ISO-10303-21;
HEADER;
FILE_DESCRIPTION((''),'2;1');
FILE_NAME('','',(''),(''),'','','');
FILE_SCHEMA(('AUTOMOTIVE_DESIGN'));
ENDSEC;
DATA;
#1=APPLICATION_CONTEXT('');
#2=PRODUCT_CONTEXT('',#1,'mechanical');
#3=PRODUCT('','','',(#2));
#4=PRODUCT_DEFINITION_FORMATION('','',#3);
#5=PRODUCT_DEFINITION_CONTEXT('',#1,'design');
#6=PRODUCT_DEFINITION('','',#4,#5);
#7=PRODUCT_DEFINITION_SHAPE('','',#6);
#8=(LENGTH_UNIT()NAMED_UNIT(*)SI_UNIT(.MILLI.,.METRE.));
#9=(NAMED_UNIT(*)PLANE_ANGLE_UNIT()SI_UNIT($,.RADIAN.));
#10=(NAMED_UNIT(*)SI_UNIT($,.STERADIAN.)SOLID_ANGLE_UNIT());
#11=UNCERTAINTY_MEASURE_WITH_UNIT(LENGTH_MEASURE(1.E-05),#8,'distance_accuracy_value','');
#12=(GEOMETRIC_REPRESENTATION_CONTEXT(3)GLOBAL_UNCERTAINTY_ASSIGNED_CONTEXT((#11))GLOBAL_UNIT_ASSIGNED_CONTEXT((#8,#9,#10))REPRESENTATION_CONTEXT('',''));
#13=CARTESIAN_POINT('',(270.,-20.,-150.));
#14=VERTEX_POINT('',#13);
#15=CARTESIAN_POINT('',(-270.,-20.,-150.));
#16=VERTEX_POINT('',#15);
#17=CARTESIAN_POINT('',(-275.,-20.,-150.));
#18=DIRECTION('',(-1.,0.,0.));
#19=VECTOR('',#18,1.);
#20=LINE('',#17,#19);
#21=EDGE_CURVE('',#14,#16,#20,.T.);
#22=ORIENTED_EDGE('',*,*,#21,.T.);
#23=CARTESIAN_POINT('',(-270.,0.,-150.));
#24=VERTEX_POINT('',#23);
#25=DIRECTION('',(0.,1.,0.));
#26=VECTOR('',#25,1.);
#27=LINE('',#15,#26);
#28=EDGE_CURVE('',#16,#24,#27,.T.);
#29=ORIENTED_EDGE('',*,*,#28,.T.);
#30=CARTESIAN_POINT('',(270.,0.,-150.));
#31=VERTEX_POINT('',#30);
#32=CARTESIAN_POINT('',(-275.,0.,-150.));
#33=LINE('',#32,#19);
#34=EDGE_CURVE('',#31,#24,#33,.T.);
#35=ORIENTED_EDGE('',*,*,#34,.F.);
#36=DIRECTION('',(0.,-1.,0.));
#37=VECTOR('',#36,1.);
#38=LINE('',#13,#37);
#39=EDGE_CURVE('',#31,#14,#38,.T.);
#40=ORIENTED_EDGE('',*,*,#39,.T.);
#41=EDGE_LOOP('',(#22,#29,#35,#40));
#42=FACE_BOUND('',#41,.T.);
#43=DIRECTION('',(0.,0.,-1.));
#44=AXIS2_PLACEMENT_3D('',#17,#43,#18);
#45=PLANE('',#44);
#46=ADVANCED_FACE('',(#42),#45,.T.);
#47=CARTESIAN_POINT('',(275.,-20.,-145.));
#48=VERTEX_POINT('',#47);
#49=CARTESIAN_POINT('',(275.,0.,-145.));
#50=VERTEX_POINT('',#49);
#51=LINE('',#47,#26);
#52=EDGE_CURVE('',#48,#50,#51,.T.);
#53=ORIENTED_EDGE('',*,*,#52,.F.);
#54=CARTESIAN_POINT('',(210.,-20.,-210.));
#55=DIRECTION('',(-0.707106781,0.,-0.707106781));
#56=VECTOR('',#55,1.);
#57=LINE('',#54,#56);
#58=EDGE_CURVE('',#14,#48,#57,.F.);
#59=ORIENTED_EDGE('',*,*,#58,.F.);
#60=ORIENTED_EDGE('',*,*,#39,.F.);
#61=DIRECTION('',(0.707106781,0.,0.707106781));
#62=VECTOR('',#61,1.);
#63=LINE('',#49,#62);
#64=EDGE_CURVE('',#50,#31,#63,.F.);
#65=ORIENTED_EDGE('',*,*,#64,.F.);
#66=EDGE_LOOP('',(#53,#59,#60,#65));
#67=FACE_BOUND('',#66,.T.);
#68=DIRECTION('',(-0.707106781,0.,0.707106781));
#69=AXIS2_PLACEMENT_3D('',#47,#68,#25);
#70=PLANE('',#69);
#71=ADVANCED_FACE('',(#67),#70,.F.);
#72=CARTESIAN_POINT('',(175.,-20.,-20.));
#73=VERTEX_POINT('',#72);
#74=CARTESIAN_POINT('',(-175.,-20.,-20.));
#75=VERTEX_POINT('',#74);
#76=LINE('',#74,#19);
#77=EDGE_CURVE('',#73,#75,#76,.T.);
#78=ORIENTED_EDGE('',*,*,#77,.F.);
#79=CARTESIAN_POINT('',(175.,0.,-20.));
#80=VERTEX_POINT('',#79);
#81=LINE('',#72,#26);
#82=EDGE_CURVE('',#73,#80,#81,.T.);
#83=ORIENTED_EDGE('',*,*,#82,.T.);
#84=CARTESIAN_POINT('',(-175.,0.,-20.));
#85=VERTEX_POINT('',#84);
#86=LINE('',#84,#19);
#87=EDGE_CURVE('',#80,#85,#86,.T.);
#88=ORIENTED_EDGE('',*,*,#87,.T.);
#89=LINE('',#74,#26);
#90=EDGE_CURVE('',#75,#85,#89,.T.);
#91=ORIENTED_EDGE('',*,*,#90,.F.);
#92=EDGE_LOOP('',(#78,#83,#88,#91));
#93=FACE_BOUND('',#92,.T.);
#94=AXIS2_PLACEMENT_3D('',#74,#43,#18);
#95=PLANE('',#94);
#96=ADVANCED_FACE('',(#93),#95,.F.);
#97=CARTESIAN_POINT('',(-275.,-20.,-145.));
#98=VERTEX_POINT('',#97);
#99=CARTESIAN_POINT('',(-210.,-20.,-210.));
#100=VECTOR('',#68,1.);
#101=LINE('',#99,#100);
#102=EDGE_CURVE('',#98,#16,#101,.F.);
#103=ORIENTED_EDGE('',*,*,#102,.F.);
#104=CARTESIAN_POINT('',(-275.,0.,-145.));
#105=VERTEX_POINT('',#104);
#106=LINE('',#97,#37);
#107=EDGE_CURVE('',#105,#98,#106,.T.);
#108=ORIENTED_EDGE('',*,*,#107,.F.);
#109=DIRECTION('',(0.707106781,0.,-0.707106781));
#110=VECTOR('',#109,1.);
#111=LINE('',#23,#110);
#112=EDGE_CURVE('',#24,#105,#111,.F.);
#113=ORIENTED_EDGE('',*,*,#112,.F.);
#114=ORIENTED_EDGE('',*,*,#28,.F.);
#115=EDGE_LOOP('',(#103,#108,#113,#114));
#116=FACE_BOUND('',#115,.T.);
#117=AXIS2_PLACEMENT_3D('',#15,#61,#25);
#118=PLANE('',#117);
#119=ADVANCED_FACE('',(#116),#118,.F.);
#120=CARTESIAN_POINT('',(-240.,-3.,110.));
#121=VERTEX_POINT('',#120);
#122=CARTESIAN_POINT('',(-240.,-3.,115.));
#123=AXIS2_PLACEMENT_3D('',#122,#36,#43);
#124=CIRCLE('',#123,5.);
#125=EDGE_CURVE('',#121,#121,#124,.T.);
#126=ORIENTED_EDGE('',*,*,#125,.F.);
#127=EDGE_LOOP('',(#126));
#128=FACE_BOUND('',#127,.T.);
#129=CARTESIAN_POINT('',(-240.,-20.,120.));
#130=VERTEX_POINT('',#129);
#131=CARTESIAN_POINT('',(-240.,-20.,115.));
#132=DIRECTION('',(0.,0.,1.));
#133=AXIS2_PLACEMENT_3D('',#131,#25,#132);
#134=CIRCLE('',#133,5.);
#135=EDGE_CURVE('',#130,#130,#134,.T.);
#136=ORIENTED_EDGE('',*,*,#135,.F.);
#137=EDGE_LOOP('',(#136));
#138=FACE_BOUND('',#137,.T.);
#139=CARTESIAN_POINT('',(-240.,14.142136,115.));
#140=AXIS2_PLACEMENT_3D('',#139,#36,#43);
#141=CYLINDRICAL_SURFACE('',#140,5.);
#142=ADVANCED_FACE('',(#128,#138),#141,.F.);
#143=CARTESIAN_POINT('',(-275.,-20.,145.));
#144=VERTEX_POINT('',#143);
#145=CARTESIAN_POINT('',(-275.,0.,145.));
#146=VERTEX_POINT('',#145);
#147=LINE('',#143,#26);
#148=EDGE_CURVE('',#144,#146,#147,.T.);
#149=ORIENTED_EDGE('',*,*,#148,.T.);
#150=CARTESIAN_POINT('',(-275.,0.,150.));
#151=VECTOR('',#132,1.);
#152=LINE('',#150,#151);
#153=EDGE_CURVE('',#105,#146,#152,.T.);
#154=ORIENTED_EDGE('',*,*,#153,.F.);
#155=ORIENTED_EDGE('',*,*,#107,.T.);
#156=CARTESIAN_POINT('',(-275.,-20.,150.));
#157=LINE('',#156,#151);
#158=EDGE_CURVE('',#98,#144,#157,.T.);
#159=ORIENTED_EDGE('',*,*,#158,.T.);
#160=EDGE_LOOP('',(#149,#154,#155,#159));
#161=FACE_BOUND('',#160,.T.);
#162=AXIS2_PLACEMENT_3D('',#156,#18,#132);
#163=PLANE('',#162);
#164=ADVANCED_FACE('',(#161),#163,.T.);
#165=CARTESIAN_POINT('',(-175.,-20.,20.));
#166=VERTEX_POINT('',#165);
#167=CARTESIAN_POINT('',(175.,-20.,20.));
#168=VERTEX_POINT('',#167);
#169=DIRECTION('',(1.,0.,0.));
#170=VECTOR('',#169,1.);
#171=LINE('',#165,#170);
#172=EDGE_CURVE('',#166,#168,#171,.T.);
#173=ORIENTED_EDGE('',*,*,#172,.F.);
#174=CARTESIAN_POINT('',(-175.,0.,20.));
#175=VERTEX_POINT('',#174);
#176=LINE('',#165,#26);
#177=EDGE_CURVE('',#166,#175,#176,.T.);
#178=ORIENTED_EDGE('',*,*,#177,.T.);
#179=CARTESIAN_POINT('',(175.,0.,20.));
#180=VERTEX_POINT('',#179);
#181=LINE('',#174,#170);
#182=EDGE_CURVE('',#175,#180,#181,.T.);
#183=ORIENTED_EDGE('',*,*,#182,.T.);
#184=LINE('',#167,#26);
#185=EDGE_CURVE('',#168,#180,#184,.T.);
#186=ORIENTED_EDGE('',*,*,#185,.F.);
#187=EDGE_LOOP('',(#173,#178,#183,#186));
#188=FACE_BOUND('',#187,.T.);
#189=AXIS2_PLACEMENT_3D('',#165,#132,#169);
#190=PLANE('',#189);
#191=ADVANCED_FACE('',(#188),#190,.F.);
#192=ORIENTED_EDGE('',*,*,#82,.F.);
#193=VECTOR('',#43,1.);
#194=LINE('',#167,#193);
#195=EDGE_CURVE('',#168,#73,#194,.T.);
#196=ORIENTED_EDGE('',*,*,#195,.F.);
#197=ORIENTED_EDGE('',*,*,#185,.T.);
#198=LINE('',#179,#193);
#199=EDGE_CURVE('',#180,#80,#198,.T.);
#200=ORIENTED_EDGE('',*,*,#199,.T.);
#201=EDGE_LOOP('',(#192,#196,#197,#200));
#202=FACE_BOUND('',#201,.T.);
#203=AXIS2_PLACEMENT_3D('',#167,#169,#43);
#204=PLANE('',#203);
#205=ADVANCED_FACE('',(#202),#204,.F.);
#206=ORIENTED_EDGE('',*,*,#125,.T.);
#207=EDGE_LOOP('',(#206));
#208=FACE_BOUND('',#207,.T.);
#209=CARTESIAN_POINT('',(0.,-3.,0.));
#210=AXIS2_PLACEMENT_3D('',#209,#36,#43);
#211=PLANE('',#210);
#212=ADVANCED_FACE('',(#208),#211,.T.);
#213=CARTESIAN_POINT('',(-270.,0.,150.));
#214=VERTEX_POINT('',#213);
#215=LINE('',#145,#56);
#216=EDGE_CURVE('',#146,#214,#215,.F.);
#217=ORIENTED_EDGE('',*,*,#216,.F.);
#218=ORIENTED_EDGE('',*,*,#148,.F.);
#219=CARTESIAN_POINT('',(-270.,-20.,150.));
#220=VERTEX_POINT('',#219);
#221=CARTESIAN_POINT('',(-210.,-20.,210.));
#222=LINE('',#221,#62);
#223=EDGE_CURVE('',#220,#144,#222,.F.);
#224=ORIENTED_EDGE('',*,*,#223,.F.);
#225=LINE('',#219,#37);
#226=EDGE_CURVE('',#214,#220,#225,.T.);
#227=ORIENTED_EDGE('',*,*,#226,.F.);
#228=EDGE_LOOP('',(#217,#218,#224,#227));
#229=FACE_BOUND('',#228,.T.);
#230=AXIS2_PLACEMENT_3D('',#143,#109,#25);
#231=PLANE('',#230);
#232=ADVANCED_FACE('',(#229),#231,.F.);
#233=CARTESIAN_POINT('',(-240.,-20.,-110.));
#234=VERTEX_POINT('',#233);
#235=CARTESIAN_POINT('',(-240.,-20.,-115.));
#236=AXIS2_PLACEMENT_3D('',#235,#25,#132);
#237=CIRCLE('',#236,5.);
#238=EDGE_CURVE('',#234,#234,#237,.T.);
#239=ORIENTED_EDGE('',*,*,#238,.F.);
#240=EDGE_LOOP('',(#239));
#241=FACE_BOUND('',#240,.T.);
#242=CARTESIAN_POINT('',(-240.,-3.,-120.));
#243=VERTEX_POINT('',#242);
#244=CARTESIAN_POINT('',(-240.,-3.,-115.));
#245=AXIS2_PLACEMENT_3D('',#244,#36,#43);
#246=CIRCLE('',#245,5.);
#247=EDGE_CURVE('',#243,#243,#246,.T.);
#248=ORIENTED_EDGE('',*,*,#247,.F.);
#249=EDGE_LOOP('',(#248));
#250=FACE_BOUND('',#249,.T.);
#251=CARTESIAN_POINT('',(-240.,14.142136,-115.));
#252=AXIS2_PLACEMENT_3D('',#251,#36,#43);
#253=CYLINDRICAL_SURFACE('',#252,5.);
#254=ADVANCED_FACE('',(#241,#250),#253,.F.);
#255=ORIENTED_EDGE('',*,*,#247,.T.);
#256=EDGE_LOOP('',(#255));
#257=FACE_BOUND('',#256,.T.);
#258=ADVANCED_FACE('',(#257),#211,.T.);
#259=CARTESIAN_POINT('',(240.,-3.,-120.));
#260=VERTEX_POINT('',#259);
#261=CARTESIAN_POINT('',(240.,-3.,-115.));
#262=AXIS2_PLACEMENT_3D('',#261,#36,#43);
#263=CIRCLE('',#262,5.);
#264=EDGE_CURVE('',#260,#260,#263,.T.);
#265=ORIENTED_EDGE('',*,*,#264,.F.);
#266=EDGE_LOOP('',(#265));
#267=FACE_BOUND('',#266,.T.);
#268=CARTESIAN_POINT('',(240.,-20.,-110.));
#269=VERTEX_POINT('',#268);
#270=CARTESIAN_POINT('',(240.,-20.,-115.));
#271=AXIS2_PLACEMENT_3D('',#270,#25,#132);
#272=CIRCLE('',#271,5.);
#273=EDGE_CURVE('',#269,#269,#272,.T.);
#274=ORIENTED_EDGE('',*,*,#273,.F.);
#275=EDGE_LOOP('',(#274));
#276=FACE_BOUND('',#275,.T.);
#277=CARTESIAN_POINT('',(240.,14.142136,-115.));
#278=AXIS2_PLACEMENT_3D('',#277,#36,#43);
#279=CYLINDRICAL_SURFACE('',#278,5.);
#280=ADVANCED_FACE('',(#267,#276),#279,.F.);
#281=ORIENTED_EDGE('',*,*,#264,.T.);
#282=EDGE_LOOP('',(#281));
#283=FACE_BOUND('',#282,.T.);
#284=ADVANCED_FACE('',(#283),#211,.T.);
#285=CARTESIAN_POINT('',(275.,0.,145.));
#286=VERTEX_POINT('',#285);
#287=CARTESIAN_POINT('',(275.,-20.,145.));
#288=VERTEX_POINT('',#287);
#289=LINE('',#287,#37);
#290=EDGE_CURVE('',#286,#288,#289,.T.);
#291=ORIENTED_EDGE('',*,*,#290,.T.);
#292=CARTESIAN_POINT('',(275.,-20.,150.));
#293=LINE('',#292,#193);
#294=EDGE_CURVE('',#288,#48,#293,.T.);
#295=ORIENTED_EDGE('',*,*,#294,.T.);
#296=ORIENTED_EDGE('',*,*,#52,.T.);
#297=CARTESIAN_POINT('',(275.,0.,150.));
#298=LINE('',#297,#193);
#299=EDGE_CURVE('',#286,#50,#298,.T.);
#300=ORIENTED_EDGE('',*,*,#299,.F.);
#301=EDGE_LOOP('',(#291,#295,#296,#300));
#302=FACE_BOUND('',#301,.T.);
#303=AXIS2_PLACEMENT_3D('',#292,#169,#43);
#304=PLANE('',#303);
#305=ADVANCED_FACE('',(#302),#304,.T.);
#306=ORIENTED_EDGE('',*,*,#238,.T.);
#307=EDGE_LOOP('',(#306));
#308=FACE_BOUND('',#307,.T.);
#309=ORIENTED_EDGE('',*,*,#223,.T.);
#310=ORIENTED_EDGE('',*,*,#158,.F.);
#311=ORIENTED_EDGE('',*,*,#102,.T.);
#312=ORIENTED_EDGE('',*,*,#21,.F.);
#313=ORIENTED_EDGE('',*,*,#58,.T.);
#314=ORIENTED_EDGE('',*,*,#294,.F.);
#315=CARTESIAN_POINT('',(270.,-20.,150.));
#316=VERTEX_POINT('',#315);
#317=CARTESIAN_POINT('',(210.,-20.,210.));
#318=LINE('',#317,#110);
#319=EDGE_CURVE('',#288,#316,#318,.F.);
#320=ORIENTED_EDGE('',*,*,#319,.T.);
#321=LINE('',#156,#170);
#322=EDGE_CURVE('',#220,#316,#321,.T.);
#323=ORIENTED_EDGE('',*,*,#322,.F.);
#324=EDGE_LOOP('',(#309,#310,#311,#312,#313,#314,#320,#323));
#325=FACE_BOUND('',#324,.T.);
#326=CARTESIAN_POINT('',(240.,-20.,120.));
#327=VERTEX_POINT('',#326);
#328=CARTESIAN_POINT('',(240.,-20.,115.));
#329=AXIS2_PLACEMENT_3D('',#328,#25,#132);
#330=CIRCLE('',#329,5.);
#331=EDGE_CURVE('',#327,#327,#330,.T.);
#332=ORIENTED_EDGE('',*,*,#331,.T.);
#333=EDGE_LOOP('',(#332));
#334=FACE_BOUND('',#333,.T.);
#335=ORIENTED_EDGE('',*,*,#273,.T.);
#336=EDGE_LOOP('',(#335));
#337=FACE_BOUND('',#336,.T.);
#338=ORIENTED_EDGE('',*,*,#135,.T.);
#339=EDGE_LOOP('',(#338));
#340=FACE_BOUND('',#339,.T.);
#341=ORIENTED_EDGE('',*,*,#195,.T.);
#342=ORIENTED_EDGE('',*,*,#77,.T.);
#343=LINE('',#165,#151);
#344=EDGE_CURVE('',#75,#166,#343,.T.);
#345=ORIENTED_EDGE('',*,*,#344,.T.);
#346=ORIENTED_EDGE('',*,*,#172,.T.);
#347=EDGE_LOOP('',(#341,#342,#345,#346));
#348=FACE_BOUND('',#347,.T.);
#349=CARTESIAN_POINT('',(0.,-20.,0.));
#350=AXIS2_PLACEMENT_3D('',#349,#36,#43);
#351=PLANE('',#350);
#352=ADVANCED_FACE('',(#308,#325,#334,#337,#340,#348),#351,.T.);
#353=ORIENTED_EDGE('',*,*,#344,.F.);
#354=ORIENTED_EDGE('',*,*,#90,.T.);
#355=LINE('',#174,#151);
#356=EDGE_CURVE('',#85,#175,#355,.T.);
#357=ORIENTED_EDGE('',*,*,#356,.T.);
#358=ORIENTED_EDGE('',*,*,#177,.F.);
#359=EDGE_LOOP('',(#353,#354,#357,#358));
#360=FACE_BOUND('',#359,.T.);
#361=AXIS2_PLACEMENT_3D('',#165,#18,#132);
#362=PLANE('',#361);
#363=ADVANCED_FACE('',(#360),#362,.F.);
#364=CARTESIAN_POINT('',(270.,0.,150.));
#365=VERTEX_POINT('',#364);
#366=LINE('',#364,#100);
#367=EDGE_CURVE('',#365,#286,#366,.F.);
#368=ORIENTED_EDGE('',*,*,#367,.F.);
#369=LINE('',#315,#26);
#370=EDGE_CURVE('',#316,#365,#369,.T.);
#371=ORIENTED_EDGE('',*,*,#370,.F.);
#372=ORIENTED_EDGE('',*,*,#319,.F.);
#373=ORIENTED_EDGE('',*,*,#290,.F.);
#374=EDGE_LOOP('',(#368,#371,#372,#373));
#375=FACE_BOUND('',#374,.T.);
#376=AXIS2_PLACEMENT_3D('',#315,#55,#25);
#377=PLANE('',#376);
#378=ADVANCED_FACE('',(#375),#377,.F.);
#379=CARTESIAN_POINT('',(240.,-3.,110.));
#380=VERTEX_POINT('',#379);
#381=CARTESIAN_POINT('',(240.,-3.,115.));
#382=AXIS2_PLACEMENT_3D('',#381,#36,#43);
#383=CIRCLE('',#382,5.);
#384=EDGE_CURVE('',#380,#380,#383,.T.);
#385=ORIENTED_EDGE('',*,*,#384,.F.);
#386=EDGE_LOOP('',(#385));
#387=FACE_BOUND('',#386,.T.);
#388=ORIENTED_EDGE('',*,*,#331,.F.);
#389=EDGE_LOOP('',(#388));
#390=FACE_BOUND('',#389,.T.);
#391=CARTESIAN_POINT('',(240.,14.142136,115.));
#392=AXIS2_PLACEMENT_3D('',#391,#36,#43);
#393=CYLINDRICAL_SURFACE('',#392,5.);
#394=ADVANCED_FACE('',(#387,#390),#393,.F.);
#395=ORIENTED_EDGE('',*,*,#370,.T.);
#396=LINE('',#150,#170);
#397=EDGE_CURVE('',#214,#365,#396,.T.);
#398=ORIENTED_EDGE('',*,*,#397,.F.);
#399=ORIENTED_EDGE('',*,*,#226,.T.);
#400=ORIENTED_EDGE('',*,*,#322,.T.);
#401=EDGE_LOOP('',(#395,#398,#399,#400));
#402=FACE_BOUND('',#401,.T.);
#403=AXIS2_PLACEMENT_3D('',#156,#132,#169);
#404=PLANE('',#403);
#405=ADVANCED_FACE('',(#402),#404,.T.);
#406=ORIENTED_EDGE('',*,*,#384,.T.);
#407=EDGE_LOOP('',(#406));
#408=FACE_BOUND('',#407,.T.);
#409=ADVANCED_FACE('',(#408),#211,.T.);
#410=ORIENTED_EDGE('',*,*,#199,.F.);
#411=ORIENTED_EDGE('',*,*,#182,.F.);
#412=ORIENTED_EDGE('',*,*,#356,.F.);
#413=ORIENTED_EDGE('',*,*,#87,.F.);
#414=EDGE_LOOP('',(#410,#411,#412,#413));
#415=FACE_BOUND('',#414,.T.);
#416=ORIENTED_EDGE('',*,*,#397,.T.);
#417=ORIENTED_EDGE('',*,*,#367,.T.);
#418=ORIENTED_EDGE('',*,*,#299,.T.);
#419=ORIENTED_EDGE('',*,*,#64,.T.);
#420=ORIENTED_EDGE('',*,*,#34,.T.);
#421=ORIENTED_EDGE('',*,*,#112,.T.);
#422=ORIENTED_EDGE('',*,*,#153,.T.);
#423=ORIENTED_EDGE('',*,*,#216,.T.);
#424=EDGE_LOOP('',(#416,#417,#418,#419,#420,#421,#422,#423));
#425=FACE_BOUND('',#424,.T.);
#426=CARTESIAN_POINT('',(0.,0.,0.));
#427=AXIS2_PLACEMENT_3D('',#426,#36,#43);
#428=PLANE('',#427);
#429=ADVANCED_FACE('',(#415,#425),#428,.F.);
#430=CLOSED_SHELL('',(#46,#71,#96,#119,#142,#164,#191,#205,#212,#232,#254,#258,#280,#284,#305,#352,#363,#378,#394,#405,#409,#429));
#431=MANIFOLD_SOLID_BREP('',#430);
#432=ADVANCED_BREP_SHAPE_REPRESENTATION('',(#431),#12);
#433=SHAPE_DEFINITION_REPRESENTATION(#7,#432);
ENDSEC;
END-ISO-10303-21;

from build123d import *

# Parameters (mm, degrees)
SKETCH_1_W          = 550
SKETCH_1_H          = 300
SKETCH_1_W_2        = 350
SKETCH_1_H_2        = 40
EXTRUDE_1_DEPTH     = 20
CHAMFER_1_SIZE      = 5
SKETCH_2_R          = 5
CUT_EXTRUDE_1_DEPTH = 17


with BuildPart() as part:
    # Эскиз1 → Бобышка-Вытянуть1 (new body)
    with BuildSketch(Plane(origin=(0, 0, 0), x_dir=(1, 0, 0), z_dir=(0, 1, 0))):
        Rectangle(SKETCH_1_W, SKETCH_1_H)
        Rectangle(SKETCH_1_W_2, SKETCH_1_H_2, mode=Mode.SUBTRACT)
    extrude(amount=-EXTRUDE_1_DEPTH)

    # Фаска1
    chamfer_1_edges = [part.edges().sort_by_distance(p)[0] for p in [
        (275, -10, 150),
        (-275, -10, 150),
        (-275, -10, -150),
        (275, -10, -150),
    ]]
    chamfer(chamfer_1_edges, length=CHAMFER_1_SIZE)

    # Эскиз2 → Вырез-Вытянуть1 (cut)
    with BuildSketch(Plane(origin=(0, -20, 0), x_dir=(-1, 0, 0), z_dir=(0, 1, 0))):
        with Locations(Location((240, 115, 0), (0, 0, 270))):
            Circle(SKETCH_2_R)
        with Locations(Location((-240, 115, 0), (0, 0, 270))):
            Circle(SKETCH_2_R)
        with Locations(Location((-240, -115, 0), (0, 0, 270))):
            Circle(SKETCH_2_R)
        with Locations(Location((240, -115, 0), (0, 0, 270))):
            Circle(SKETCH_2_R)
    extrude(amount=CUT_EXTRUDE_1_DEPTH, mode=Mode.SUBTRACT)


solid = part.part
